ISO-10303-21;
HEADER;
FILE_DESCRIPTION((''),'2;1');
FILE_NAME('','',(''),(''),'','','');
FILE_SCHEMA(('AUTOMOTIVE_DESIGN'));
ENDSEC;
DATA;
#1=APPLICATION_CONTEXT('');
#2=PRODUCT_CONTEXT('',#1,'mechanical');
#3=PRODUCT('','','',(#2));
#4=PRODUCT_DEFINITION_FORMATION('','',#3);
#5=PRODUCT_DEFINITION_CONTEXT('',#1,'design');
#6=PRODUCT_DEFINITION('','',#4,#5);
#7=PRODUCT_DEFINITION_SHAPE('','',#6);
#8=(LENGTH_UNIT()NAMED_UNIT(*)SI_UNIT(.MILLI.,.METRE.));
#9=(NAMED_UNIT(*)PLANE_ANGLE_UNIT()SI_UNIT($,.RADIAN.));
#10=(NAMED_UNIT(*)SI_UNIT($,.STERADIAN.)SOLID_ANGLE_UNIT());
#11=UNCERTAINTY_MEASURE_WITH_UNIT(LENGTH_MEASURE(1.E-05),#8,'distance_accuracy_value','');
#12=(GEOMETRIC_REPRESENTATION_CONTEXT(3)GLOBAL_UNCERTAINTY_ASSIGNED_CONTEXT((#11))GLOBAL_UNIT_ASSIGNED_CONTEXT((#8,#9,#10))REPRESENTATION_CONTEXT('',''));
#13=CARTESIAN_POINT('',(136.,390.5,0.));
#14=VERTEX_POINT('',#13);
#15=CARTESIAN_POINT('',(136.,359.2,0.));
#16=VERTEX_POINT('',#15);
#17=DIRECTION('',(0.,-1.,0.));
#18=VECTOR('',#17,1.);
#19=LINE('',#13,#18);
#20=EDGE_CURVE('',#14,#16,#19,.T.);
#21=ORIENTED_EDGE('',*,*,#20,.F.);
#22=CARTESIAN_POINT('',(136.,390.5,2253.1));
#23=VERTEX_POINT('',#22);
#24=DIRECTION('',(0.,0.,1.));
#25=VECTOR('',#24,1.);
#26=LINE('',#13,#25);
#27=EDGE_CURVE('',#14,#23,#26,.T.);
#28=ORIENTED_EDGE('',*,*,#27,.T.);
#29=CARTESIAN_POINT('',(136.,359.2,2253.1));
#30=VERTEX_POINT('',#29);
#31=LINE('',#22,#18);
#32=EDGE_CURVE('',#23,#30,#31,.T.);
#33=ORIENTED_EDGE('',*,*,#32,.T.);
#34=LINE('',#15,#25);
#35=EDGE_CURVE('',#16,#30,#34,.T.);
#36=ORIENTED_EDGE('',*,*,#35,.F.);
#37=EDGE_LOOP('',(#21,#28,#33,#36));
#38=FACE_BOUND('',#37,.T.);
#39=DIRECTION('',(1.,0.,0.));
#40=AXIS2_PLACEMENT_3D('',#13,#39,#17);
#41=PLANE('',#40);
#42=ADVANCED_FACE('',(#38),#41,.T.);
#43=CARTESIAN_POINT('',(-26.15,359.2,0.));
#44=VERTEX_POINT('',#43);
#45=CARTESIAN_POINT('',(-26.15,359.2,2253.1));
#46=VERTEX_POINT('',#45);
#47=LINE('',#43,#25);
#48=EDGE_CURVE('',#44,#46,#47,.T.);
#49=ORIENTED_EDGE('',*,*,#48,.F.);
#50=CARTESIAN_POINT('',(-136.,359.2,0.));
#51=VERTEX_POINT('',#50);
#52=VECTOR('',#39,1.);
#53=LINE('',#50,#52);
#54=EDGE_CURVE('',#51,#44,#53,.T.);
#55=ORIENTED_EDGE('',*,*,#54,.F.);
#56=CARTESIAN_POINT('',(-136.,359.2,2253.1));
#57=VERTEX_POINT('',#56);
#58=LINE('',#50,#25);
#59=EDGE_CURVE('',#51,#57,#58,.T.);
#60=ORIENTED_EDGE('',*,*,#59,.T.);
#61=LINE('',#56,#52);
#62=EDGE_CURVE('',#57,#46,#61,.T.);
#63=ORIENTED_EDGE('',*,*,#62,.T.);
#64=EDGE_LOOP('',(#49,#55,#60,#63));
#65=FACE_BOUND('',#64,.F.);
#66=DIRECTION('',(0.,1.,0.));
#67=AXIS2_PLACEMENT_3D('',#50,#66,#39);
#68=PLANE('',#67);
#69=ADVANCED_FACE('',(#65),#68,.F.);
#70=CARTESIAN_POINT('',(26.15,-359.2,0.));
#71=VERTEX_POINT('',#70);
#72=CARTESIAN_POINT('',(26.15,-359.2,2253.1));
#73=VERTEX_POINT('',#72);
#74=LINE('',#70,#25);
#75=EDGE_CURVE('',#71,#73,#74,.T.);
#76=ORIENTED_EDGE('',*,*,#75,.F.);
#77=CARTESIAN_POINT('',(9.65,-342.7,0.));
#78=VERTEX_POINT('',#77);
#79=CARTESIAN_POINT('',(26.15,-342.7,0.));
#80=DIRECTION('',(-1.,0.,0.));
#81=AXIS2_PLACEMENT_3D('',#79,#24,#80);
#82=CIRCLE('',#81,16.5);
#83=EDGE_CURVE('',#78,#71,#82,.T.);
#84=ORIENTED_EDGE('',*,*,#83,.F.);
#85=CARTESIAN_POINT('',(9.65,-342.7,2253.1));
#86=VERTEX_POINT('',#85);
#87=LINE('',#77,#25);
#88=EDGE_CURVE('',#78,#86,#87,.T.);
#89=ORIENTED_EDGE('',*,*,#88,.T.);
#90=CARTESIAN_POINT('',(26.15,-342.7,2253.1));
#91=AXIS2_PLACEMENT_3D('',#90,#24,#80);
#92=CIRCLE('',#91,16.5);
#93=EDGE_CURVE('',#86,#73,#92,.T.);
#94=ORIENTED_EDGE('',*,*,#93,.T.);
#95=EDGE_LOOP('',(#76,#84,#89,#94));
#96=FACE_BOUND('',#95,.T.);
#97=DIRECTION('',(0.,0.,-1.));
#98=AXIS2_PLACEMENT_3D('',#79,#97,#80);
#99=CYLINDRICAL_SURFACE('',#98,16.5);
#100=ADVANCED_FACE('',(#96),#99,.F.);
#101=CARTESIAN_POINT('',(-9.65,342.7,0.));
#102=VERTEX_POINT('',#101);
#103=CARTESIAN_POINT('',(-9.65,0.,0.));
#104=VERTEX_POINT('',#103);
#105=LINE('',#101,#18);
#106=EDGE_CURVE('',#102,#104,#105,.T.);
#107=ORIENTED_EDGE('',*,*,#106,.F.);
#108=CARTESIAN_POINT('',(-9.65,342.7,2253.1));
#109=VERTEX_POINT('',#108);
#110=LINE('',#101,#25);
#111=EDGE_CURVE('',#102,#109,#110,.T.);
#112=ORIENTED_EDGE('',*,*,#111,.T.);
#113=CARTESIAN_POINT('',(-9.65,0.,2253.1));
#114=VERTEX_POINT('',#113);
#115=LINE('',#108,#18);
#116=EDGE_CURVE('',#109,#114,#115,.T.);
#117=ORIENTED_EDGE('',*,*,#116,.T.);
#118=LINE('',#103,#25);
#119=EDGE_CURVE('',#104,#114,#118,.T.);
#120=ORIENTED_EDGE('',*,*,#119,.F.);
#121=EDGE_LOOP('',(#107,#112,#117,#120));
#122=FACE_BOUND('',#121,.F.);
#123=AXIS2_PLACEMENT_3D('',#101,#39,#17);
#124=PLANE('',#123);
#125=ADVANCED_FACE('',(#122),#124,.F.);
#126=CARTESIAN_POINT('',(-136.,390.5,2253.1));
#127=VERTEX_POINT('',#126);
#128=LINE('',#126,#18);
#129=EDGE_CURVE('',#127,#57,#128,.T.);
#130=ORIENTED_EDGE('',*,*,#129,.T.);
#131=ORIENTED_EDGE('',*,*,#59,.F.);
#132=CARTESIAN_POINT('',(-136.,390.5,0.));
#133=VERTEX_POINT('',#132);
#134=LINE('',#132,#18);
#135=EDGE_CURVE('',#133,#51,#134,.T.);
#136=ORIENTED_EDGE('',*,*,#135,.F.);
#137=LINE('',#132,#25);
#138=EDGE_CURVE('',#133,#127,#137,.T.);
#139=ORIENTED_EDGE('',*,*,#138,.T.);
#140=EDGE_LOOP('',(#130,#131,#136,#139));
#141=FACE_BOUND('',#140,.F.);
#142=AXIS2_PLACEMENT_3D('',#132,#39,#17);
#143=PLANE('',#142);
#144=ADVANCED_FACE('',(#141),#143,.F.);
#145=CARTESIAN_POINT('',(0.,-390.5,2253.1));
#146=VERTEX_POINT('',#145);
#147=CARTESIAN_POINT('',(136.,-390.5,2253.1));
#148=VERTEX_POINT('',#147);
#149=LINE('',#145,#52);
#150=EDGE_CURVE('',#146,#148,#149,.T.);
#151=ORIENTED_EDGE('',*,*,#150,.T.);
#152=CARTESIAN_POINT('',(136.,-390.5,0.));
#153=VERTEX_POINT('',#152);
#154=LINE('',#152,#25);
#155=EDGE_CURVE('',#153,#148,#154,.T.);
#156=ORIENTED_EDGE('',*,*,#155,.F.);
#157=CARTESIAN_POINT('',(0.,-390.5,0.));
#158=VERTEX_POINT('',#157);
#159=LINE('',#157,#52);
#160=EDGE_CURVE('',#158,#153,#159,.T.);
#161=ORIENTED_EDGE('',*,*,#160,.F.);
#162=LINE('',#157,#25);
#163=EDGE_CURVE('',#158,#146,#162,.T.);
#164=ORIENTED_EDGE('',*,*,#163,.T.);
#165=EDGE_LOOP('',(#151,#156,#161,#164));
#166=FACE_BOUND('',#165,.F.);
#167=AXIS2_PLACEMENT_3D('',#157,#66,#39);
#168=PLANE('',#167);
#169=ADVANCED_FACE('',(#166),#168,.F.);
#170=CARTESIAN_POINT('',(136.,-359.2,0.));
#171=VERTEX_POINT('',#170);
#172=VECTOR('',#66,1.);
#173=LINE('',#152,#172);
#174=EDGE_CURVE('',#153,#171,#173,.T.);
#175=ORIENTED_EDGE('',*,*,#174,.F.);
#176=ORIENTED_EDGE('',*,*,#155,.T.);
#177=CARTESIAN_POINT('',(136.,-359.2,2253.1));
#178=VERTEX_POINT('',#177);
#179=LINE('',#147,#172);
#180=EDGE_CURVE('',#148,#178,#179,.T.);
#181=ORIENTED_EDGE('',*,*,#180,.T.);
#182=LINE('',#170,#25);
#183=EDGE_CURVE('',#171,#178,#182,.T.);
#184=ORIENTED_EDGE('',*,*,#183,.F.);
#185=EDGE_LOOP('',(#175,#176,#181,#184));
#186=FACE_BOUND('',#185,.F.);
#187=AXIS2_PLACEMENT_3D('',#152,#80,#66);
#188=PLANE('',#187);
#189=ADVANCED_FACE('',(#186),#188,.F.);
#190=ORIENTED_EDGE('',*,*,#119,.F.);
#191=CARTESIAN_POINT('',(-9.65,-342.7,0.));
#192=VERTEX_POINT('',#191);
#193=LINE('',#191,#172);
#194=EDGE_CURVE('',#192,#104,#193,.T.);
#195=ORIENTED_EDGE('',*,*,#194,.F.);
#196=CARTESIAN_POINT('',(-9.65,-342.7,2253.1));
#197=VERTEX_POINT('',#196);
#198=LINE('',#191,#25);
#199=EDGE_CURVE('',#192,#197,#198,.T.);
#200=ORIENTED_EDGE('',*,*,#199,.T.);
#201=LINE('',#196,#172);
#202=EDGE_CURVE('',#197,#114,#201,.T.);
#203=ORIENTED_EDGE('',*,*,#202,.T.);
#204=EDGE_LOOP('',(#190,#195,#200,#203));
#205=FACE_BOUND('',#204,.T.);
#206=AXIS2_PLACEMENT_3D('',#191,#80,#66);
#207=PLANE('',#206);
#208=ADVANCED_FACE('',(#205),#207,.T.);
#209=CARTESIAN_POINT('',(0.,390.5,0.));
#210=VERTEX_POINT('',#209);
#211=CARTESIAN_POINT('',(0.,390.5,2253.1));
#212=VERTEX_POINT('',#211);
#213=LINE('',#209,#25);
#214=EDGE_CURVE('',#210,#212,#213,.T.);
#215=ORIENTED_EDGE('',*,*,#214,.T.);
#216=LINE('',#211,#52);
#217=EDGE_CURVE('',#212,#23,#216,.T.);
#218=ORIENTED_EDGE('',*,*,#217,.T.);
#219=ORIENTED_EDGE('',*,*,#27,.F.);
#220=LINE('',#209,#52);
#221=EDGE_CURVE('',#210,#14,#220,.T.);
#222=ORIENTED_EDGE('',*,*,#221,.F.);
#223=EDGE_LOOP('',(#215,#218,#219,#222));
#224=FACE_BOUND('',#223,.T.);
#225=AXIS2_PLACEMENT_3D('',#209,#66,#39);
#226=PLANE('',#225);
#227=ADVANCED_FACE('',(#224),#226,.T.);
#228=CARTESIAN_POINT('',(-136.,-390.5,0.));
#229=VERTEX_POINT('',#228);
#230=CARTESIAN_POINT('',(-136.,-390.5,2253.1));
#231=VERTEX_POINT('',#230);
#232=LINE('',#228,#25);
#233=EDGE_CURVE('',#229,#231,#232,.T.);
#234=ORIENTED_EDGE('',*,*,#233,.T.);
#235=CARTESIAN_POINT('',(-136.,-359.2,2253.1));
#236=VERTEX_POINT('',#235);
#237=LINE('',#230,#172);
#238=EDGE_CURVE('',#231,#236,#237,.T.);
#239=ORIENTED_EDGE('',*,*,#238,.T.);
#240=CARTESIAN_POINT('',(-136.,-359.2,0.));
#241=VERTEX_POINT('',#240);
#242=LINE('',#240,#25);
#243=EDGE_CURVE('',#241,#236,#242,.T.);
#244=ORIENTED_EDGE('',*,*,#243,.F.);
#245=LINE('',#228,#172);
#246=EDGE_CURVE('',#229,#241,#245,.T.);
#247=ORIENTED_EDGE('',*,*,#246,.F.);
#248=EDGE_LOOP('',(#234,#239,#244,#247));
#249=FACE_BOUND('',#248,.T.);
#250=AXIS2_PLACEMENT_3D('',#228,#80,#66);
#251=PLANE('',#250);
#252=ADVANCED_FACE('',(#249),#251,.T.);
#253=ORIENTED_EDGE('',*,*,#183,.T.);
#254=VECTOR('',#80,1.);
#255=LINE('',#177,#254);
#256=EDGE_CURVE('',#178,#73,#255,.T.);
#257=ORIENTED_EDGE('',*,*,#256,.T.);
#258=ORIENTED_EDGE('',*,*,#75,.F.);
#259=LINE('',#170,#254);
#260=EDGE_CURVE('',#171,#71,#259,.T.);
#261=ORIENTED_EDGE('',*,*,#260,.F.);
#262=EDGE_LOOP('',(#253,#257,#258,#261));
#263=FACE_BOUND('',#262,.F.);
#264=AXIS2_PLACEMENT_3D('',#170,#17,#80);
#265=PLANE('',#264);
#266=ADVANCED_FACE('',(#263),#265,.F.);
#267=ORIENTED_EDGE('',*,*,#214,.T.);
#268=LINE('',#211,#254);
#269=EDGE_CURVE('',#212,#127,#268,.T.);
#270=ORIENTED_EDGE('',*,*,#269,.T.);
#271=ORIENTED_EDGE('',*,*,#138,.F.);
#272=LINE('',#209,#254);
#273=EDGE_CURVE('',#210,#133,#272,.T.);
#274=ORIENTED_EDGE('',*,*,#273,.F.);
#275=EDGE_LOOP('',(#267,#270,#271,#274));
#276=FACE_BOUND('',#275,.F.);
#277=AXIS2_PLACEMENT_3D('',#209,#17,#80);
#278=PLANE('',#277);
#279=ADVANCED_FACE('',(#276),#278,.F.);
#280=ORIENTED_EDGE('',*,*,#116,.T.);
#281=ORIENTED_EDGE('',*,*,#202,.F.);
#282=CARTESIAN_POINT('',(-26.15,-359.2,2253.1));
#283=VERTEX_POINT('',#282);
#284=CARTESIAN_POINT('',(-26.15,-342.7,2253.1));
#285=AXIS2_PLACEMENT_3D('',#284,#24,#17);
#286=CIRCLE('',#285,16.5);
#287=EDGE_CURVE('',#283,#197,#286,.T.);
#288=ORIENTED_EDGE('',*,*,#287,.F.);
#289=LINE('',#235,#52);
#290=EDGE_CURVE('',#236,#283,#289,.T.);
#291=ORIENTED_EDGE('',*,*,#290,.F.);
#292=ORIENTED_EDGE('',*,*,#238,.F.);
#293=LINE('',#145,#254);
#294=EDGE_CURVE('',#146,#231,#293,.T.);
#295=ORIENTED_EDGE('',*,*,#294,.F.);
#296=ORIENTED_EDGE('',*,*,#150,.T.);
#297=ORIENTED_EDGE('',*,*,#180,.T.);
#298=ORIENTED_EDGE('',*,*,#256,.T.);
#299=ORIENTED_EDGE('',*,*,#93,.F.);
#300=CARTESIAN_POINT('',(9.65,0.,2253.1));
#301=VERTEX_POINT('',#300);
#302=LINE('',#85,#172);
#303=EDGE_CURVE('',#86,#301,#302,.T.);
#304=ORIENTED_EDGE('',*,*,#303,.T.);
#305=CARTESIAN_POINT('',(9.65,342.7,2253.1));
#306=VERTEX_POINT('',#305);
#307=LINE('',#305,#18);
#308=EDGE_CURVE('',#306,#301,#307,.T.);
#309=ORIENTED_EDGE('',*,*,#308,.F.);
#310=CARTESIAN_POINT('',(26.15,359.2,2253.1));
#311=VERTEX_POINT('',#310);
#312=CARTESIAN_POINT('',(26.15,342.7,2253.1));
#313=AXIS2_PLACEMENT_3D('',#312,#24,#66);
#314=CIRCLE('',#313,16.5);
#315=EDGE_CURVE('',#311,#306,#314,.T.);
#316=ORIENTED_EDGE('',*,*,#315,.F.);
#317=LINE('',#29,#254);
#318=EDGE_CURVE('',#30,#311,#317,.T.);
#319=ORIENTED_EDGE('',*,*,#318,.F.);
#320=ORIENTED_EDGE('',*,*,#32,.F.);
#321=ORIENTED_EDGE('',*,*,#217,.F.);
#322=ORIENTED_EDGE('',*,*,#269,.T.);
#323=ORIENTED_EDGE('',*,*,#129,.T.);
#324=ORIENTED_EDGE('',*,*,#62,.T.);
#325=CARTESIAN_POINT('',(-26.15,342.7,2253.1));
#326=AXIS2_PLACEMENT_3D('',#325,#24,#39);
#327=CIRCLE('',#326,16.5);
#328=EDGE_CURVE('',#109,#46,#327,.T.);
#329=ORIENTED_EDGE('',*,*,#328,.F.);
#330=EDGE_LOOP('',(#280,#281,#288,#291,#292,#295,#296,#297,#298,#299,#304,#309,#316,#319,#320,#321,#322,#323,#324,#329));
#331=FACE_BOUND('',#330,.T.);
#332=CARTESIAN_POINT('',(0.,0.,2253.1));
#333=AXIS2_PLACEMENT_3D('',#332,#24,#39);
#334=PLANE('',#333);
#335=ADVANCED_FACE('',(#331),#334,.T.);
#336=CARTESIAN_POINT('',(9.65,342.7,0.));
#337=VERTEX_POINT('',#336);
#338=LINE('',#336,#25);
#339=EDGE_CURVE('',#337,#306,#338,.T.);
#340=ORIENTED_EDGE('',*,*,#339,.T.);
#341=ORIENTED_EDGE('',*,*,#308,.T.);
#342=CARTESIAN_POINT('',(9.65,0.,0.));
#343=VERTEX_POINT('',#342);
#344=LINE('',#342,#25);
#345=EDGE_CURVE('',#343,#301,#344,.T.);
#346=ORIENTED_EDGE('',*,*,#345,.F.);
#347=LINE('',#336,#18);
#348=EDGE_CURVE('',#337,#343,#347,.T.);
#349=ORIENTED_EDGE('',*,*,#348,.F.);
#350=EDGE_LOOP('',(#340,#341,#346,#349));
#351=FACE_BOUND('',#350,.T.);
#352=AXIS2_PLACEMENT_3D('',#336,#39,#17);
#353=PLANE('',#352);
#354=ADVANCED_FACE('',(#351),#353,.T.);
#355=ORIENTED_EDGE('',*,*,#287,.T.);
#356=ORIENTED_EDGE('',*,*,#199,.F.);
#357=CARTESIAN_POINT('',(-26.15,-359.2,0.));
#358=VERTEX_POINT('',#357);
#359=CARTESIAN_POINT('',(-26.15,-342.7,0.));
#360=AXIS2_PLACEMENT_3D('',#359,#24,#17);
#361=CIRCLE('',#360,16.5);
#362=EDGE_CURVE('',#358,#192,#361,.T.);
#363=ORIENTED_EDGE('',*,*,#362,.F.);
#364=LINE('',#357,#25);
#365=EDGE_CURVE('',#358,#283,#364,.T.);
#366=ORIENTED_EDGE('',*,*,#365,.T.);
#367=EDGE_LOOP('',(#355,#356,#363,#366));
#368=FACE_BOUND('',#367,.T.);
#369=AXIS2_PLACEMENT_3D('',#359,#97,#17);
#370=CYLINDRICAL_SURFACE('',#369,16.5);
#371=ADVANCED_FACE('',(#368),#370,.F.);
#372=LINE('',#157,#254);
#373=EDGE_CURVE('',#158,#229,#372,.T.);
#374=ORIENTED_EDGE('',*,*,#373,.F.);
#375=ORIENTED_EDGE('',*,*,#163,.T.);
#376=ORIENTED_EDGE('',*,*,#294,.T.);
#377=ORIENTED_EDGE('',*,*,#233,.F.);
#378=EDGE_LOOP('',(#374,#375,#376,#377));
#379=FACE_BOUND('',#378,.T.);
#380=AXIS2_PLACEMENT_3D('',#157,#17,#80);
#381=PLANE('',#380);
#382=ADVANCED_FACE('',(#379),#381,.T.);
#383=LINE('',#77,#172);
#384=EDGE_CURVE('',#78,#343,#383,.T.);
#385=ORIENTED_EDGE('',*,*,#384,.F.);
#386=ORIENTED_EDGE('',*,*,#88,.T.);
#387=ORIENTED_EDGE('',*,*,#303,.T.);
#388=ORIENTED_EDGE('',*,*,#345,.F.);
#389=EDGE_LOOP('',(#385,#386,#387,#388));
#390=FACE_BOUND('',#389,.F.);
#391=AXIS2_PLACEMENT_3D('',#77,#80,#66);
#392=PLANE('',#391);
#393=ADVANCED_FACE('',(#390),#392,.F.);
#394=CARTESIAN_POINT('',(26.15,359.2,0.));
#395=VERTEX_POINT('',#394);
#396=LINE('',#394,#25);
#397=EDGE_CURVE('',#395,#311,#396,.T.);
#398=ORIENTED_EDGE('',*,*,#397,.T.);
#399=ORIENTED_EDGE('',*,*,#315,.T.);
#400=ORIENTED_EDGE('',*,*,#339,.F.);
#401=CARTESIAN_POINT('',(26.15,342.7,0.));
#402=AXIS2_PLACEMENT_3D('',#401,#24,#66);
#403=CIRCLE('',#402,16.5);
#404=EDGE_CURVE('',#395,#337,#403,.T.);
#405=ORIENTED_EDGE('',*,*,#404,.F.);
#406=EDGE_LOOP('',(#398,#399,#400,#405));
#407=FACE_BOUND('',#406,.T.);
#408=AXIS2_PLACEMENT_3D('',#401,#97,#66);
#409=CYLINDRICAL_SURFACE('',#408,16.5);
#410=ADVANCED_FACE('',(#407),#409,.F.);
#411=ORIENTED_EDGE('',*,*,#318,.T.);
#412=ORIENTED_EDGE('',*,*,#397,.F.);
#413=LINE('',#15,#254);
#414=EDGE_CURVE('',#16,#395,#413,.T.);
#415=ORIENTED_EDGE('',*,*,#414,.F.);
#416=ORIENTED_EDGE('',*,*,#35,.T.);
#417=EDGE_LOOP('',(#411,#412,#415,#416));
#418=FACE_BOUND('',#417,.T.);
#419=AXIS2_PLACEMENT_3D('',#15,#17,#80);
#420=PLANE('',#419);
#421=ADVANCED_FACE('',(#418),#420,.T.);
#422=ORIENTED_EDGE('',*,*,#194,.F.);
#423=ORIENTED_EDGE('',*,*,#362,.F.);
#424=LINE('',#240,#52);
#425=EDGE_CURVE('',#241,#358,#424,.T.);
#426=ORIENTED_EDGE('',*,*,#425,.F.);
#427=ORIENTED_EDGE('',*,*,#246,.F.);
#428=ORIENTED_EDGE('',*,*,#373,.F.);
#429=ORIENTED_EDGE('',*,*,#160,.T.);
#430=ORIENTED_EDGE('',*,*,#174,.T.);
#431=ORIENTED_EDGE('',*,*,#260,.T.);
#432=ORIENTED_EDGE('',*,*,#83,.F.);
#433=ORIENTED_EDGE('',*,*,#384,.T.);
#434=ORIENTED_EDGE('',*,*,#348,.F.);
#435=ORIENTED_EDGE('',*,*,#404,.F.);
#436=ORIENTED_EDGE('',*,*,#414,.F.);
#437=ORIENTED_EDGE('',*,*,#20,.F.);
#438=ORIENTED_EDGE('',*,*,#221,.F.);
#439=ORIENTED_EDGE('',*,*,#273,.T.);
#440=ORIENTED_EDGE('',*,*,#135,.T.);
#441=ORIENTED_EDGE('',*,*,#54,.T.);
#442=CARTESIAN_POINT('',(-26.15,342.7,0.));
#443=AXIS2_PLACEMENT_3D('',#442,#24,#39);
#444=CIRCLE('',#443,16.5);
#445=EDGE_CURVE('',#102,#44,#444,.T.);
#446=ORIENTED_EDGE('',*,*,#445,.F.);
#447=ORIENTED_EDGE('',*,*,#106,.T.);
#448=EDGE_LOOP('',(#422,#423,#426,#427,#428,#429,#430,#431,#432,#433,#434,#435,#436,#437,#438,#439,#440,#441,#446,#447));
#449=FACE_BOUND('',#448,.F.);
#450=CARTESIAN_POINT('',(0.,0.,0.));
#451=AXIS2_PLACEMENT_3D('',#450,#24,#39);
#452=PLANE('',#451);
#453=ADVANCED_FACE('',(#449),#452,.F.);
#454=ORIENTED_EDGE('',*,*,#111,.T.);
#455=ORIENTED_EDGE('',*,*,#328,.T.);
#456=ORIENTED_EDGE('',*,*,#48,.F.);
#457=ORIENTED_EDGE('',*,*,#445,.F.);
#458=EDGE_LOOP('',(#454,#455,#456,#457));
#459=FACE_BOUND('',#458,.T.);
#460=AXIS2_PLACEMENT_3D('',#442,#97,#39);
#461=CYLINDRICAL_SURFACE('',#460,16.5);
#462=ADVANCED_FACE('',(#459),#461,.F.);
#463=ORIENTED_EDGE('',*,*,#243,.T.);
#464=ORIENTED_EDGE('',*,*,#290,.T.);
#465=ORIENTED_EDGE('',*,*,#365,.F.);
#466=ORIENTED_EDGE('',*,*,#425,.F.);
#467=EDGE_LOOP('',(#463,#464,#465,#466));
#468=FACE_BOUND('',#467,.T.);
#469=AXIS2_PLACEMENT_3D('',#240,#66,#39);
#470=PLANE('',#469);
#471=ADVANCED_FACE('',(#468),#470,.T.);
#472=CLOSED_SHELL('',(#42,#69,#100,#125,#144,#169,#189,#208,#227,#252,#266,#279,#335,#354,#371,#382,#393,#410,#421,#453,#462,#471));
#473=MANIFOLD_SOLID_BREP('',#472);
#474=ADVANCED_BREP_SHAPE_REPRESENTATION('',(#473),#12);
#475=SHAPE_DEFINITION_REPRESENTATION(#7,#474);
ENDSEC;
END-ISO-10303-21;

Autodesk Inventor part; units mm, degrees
ref_plane "YZ Plane" through (0, 0, 0) normal (1, 0, 0) x (0, 1, 0)
ref_plane "Start plane" through (0, 0, 0) normal (0, 0, 1) x (1, 0, 0)
ref_plane "End plane" through (0, 0, 2253.1) normal (0, 0, 1) x (1, 0, 0)
sketch "Sketch" plane through (0, 0, 0) normal (0, 0, 1) x (1, 0, 0)
  line L0 (-136, -390.5) -> (-136, -359.2)
  line L1 (-136, -359.2) -> (-26.15, -359.2)
  line L2 (-9.65, -342.7) -> (-9.65, 0)
  line L3 (-9.65, 0) -> (0, 0) construction
  line L4 (0, 0) -> (0, -390.5) construction
  line L5 (0, -390.5) -> (-136, -390.5)
  line L6 (-60, 0) -> (80, 0) construction
  line L7 (0, -60) -> (0, 80) construction
  line L8 (136, -390.5) -> (136, -359.2)
  line L9 (136, -359.2) -> (26.15, -359.2)
  line L10 (9.65, -342.7) -> (9.65, 0)
  line L11 (9.65, 0) -> (0, 0) construction
  line L12 (0, -390.5) -> (136, -390.5)
  line L13 (-136, 390.5) -> (-136, 359.2)
  line L14 (-136, 359.2) -> (-26.15, 359.2)
  line L15 (-9.65, 342.7) -> (-9.65, 0)
  line L16 (0, 390.5) -> (-136, 390.5)
  line L17 (136, 390.5) -> (136, 359.2)
  line L18 (136, 359.2) -> (26.15, 359.2)
  line L19 (0, 390.5) -> (136, 390.5)
  line L20 (9.65, 342.7) -> (9.65, 0)
  arc A0 (-9.65, 342.7) -> (-26.15, 359.2) centre (-26.15, 342.7) ccw
  arc A1 (26.15, 359.2) -> (9.65, 342.7) centre (26.15, 342.7) ccw
  arc A2 (9.65, -342.7) -> (26.15, -359.2) centre (26.15, -342.7) ccw
  arc A3 (-26.15, -359.2) -> (-9.65, -342.7) centre (-26.15, -342.7) ccw
  line L21 (0, 108) -> (0, -88) construction
  line L22 (-88, 0) -> (108, 0) construction
  point P0 (-9.65, -359.2)
  point P1 (9.65, -359.2)
  point P2 (-9.65, 359.2)
  point P3 (9.65, 359.2)
  dimension "d1" = 390.5
  dimension "d2" = 31.3
  dimension "d3" = 136
  dimension "d4" = 9.65
  dimension "d10" = 16.5
extrude "Body" add sketch "Sketch" along normal up to surface (2253.1 mm away) from surface at 0
sketch "Sketch4" plane through (0, 0, 0) normal (0, 0, 1) x (1, 0, 0)
  line L0 (0, 0) -> (10, 0)
ref_plane "Work Plane3" through (0, 0, 0) normal (0, -1, 0) x (1, 0, 0)
sketch "Sketch5" plane through (0, 0, 0) normal (0, -1, 0) x (1, 0, 0)
  line L0 (-2, 0) -> (12, 0) projected
  line L1 (-2, 2253.1) -> (12, 2253.1) projected
  dimension "d14" = 2253.1
equation "\"d1\" = 0.5 * G_H"
equation "\"d2\" = G_T1"
equation "\"d3\" = 0.5 * G_W"
equation "\"d4\" = 0.5 * G_T"
equation "\"d10\" = G_IR"
equation "\"d5\" = G_L"
equation "\"G_W\" = 272"
equation "\"G_H\" = 781"
equation "\"G_T\" = 19.3"
equation "\"G_T1\" = 31.3"
equation "\"G_IR\" = 16.5"
equation "\"G_L\" = d14"
equation "\"G_OFFSET_START\" = 0"
equation "\"G_OFFSET_END\" = 0"
equation "\"d12\" = G_OFFSET_END + B_L"
equation "\"B_L\" = 2253.1"
properties part number "AS 3679-1990 - 760 UB - 244 - 2253.1" material "Steel, Mild"
